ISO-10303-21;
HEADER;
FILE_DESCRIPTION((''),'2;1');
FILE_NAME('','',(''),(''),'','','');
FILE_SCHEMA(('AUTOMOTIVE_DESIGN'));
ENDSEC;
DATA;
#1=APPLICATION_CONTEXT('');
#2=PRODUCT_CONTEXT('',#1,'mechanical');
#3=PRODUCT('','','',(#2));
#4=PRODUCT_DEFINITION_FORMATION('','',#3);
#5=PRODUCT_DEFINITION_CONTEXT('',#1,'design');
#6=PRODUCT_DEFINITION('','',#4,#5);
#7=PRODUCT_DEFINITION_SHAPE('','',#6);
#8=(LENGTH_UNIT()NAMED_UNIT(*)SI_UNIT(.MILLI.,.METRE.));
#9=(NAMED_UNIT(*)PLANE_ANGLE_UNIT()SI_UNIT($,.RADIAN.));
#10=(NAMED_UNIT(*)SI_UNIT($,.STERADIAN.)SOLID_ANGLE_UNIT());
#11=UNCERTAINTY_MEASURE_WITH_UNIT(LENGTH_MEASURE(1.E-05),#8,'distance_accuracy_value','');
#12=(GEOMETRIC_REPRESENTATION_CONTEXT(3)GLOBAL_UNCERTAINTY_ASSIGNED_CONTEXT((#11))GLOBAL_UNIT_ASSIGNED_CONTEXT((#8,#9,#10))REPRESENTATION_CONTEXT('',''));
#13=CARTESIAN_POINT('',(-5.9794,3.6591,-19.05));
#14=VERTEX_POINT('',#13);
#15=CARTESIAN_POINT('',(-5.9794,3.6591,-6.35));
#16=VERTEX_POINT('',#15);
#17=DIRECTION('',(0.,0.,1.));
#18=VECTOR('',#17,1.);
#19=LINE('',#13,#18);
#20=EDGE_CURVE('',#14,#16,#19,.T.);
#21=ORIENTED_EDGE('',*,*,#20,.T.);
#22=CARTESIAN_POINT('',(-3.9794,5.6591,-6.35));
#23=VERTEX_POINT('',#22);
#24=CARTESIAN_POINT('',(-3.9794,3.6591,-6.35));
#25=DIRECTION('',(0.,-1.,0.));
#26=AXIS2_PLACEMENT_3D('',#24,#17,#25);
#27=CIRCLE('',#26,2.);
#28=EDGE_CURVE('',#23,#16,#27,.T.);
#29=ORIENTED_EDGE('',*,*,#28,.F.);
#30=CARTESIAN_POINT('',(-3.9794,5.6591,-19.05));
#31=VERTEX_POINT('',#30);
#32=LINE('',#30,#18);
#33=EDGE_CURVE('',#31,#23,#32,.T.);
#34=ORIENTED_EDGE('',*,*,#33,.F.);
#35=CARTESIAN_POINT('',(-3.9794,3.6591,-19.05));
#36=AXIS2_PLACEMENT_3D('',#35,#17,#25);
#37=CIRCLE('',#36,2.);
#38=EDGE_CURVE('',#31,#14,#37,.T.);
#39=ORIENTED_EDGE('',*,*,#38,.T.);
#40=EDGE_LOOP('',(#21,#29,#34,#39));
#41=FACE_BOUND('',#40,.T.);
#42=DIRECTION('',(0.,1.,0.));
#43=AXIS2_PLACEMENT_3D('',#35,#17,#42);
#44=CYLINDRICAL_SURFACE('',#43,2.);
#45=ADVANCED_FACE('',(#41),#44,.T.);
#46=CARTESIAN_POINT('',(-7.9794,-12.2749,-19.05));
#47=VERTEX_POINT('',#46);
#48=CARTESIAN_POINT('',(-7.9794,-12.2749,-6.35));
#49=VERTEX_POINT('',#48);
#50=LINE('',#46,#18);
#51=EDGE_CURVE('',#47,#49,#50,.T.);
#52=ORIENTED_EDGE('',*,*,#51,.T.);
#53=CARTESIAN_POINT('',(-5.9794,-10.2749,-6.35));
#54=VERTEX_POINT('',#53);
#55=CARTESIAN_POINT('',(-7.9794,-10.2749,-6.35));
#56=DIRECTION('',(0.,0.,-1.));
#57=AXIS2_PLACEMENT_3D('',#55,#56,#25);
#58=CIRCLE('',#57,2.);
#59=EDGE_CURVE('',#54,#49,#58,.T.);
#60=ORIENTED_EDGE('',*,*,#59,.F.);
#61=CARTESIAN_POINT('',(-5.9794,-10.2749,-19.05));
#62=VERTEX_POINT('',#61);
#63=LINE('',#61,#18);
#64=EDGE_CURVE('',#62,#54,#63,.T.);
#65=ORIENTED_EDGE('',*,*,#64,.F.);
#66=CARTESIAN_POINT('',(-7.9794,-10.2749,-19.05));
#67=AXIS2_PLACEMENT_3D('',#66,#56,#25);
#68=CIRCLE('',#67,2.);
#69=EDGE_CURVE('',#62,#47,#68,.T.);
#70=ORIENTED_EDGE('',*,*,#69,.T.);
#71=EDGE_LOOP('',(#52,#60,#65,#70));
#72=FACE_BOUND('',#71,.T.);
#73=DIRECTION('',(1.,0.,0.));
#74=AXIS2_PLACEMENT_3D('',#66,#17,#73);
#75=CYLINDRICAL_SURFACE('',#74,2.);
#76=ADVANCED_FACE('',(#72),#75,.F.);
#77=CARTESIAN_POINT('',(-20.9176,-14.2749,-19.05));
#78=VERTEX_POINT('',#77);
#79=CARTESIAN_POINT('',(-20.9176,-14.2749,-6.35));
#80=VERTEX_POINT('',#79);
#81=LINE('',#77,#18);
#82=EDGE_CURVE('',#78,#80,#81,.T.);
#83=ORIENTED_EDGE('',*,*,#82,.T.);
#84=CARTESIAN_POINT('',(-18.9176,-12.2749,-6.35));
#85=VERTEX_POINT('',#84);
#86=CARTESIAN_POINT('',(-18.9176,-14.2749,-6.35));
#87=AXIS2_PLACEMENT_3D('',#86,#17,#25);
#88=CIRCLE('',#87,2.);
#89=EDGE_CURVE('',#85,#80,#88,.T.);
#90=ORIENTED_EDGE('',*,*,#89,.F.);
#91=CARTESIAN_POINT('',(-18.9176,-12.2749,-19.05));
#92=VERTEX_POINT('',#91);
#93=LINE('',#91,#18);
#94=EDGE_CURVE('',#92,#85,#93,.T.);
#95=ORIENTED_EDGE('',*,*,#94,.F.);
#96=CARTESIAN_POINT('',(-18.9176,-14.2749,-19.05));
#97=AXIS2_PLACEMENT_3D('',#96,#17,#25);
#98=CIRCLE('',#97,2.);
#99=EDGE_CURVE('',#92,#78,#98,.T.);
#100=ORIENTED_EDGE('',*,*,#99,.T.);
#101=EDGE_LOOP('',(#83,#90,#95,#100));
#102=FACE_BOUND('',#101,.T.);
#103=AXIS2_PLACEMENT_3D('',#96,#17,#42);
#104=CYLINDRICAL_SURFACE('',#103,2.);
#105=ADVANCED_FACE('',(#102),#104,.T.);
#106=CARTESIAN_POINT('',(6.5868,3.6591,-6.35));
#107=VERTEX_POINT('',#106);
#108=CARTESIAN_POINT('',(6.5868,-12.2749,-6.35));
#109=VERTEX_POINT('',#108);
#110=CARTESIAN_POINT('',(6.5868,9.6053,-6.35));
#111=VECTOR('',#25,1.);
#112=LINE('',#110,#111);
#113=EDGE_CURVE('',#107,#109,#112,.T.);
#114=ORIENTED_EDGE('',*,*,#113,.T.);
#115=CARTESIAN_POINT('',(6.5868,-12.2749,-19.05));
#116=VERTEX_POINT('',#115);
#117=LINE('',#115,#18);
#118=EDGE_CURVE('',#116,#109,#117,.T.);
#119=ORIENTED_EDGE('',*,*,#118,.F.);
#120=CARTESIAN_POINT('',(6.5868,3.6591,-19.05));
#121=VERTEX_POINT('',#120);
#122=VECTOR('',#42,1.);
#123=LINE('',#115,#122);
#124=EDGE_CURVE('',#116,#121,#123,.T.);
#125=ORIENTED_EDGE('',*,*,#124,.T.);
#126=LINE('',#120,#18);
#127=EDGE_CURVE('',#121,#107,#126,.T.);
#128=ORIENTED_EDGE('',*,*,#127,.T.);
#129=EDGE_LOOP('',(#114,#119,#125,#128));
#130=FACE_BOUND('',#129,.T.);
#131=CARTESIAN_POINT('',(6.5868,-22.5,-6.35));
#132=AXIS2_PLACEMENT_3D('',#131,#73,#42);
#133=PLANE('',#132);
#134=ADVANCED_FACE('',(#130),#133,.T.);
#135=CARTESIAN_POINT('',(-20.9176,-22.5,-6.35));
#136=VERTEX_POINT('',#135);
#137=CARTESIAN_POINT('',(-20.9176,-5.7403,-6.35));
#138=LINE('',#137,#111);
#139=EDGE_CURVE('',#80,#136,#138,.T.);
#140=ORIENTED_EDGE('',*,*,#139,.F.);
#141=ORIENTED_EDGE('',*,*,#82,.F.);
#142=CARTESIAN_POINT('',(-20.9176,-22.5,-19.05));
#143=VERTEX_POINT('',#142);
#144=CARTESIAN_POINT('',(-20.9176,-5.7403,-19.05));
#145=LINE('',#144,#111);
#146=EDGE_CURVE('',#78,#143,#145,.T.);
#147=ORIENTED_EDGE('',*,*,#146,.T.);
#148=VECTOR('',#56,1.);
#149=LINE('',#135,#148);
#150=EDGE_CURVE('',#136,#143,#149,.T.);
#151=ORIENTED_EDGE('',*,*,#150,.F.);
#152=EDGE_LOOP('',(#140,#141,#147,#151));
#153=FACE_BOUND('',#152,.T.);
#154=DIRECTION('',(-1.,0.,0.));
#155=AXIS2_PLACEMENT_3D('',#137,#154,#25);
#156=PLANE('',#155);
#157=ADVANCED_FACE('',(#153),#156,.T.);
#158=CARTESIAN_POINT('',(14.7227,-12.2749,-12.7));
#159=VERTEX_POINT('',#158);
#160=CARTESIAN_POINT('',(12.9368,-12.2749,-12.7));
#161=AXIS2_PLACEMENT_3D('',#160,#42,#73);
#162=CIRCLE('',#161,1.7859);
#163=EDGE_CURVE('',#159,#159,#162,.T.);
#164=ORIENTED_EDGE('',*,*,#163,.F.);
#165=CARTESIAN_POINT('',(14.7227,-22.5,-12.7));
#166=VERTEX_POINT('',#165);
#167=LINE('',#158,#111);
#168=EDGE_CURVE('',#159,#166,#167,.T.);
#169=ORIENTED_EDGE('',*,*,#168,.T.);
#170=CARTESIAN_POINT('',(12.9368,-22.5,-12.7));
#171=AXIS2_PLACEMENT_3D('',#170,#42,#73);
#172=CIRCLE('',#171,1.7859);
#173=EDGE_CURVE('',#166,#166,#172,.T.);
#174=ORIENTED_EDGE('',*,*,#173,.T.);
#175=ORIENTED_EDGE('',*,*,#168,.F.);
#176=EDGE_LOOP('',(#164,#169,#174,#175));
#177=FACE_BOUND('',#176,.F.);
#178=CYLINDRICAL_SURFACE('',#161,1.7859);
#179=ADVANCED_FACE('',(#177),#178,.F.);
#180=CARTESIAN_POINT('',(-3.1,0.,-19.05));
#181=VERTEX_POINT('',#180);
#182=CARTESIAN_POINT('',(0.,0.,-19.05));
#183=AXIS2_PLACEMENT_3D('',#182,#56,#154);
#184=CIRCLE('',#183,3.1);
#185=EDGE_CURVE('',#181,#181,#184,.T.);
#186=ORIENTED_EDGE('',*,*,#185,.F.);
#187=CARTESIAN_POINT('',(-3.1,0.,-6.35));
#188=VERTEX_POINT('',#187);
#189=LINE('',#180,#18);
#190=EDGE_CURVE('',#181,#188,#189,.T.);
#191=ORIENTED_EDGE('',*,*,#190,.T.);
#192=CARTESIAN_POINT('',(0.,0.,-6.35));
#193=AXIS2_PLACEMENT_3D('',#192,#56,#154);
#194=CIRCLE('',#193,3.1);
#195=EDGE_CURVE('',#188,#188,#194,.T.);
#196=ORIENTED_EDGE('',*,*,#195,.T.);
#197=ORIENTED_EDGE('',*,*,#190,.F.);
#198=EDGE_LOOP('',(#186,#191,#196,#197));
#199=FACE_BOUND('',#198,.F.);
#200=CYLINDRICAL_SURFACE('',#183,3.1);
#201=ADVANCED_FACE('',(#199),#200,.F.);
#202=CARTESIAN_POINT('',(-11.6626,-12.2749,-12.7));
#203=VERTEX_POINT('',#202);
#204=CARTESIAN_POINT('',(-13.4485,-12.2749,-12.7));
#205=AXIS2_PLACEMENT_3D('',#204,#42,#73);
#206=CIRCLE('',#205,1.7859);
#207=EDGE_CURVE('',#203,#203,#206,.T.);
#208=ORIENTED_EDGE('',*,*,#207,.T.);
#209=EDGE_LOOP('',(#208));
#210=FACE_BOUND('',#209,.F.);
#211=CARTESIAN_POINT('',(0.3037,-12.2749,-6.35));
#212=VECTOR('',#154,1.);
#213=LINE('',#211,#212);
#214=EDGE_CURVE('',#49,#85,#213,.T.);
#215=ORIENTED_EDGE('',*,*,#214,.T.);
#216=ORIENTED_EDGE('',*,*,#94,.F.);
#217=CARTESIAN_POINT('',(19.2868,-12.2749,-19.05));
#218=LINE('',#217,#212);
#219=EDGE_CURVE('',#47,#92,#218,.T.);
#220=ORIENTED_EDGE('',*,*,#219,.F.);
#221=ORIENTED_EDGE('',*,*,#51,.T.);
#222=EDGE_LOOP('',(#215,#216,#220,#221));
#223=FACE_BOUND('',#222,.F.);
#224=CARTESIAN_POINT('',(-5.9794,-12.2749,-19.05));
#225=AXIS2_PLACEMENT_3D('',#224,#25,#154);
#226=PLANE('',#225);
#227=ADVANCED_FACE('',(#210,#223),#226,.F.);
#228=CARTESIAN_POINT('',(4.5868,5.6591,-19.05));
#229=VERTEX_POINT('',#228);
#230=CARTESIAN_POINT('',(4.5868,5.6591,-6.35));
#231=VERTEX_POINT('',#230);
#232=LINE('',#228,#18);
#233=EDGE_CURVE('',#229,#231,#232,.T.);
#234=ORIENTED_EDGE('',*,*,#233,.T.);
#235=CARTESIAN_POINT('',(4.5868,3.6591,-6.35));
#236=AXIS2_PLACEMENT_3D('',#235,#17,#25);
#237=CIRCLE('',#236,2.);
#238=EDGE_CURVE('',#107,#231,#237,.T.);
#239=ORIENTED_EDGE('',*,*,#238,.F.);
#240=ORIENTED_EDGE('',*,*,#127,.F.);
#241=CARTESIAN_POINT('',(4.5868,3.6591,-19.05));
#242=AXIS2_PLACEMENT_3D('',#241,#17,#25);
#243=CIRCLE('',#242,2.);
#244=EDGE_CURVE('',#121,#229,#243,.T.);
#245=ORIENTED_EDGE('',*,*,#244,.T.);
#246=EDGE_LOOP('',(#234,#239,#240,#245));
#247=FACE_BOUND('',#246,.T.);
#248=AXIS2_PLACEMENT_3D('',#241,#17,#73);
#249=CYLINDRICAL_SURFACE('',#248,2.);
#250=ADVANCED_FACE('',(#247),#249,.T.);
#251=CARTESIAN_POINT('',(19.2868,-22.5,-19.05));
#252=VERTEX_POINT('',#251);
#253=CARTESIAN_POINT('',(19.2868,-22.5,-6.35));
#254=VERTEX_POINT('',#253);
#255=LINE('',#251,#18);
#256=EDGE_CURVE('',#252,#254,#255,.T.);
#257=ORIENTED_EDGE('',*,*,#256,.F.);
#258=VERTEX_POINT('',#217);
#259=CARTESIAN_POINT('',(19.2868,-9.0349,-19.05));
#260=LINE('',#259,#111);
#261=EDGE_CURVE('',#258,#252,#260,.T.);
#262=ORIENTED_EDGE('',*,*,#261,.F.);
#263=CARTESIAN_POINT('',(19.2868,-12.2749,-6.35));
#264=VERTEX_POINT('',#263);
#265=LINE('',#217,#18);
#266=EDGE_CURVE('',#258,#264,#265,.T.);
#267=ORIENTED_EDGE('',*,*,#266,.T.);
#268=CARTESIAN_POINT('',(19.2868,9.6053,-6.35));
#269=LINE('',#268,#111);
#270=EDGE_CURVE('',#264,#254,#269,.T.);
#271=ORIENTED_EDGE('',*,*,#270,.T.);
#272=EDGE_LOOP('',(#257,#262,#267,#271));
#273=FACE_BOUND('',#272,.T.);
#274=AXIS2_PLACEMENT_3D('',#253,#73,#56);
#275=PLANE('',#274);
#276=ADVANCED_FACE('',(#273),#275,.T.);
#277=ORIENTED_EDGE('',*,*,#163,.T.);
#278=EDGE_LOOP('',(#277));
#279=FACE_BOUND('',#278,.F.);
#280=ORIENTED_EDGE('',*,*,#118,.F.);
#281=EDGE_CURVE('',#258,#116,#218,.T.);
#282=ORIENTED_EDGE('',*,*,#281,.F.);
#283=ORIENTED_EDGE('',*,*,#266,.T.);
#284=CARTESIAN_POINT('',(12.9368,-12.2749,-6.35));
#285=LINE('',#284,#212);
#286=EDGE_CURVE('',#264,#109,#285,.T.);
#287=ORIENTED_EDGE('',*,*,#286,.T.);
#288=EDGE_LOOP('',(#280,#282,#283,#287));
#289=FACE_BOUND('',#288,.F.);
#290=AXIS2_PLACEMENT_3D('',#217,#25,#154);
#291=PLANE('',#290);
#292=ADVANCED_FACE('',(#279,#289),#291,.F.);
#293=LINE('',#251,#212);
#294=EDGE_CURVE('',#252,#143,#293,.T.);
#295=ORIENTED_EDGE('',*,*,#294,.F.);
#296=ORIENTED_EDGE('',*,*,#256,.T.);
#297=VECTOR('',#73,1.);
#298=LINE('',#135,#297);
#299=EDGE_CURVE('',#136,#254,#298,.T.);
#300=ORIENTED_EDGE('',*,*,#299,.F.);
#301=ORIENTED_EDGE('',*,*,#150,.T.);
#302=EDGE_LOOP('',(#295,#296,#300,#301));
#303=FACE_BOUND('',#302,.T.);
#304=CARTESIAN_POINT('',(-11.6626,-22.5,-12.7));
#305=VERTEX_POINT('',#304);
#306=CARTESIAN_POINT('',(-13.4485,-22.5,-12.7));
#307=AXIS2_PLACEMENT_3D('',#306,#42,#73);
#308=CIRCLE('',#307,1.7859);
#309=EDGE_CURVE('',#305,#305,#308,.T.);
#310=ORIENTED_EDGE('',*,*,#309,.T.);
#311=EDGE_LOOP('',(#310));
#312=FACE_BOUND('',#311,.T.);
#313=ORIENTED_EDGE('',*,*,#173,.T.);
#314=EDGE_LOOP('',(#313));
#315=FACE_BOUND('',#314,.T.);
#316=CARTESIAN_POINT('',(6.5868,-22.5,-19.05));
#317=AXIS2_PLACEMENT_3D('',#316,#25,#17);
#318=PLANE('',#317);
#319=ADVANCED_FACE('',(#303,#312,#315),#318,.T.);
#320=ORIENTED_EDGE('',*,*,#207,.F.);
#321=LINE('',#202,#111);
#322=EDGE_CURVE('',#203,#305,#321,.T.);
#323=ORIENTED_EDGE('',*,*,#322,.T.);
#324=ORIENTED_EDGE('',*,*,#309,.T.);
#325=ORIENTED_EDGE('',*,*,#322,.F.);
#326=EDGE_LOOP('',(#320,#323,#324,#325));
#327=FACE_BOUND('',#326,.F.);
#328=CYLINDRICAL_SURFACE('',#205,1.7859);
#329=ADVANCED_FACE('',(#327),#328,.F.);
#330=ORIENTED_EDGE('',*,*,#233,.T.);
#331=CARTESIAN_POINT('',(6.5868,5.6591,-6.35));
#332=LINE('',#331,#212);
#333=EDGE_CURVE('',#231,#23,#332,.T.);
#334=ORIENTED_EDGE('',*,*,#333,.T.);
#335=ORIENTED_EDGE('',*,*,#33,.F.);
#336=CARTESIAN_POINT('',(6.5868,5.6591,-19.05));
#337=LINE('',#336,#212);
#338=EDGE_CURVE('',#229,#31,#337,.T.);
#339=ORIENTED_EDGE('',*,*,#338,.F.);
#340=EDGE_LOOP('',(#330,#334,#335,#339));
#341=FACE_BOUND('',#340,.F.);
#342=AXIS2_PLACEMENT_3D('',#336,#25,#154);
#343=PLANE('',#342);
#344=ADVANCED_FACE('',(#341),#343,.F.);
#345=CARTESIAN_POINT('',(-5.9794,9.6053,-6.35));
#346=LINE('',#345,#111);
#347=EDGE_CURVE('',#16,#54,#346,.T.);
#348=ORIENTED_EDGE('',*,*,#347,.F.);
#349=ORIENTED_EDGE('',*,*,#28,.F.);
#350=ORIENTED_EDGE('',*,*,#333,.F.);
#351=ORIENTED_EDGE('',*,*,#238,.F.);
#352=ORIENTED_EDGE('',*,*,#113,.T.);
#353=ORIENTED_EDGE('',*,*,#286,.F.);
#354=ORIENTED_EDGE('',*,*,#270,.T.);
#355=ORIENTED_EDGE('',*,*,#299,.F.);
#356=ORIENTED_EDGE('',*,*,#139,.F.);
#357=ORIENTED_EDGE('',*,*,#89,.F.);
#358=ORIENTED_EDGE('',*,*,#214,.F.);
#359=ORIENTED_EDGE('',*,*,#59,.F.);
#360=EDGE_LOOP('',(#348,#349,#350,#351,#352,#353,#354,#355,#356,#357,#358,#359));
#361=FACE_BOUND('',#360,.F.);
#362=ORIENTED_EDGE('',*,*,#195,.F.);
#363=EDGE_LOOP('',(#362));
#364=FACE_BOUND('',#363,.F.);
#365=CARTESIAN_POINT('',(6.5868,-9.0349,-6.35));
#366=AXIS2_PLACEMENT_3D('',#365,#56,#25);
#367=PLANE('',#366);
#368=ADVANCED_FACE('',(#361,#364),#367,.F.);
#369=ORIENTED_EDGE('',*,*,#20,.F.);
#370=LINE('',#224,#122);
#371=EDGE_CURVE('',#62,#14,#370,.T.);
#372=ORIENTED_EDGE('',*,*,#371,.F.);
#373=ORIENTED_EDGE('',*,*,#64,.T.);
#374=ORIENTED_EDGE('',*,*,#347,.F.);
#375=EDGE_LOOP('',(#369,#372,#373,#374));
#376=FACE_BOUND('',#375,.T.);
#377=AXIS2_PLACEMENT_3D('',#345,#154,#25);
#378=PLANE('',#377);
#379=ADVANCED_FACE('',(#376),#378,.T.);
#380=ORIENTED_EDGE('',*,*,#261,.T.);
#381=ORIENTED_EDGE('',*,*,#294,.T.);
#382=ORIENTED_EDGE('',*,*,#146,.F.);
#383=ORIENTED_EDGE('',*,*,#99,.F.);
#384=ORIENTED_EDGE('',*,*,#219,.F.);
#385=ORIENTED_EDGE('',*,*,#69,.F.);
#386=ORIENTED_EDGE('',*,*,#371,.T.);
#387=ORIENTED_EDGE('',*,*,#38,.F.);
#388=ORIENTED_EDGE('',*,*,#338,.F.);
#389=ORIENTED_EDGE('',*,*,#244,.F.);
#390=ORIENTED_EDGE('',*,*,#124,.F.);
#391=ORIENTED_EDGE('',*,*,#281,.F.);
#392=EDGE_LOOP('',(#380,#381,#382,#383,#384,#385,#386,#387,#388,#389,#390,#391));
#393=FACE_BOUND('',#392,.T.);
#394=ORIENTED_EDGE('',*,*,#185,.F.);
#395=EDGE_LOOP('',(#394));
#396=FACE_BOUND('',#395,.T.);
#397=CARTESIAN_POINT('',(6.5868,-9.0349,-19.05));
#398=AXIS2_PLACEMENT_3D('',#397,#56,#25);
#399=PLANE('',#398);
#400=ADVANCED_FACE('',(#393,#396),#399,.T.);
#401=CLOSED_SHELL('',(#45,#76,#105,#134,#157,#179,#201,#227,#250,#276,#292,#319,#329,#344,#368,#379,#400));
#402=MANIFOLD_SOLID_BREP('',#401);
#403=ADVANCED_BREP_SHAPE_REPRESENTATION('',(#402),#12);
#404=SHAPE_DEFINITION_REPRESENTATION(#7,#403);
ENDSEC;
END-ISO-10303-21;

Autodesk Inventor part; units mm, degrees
ref_plane "FRONT" through (0, 0, 0) normal (0, 0, 1) x (1, 0, 0)
ref_plane "TOP" through (0, 0, 0) normal (0, 1, 0) x (-1, 0, 0)
ref_plane "RIGHT" through (0, 0, 0) normal (1, 0, 0) x (0, 1, 0)
ref_plane "Work Plane6" through (36, -22.5, -6.35) normal (0, 0, -1) x (-1, 0, 0)
sketch "Sketch1" plane through (36, -22.5, -6.35) normal (0, 0, -1) x (-1, 0, 0)
  line L0 (56.9176, 0) -> (29.4132, 0)
  line L1 (56.9176, 0) -> (29.4132, 0)
  line L2 (29.4132, 0) -> (29.4132, 32.1053)
  line L3 (41.9794, 32.1053) -> (41.9794, 16.7597)
  line L4 (29.4132, 32.1053) -> (41.9794, 32.1053)
  line L5 (41.9794, 16.7597) -> (56.9176, 16.7597)
  line L6 (56.9176, 16.7597) -> (56.9176, 0)
  point P0 (36, 22.5)
  point P1 (0, 0)
extrude "Extrusion1" add sketch "Sketch1" along normal blind 12.7
ref_plane "Work Plane5" through (36, -22.5, -19.05) normal (0, 0, -1) x (-1, 0, 0)
sketch "Sketch2" plane through (36, -22.5, -19.05) normal (0, 0, -1) x (-1, 0, 0)
  circle A0 centre (36, 22.5) radius 3.1
  dimension "d2" = 6.2
extrude "Extrusion2" cut sketch "Sketch2" against normal through all
ref_plane "Work Plane8" through (6.5868, -22.5, -6.35) normal (1, 0, 0) x (0, 0, -1)
sketch "Sketch3" plane through (6.5868, -22.5, -6.35) normal (1, 0, 0) x (0, 0, -1)
  line L0 (0, 32.1053) -> (0, 0) projected
  line L1 (0, 13.4651) -> (12.7, 13.4651)
  line L2 (12.7, 13.4651) -> (12.7, 0)
  line L3 (12.7, 0) -> (0, 0)
  line L4 (0, 0) -> (0, 13.4651)
  point P0 (-6.35, 22.5)
  point P1 (0, 26.9303)
extrude "Extrusion3" add sketch "Sketch3" along normal blind 12.7
sketch "Sketch4" plane through (36, -22.5, -19.05) normal (0, 0, -1) x (-1, 0, 0)
  circle A0 centre (36, 22.5) radius 3.1 projected
  line L0 (29.4132, 32.1053) -> (29.4132, 13.4651) projected
  line L1 (56.9176, 0) -> (16.7132, 0) projected
  line L2 (56.9176, 0) -> (56.9176, 16.7597) projected
  line L3 (56.9176, 16.7597) -> (41.9794, 16.7597) projected
  line L4 (41.9794, 16.7597) -> (41.9794, 32.1053) projected
  line L5 (41.9794, 32.1053) -> (29.4132, 32.1053) projected
  line L6 (16.7132, 0) -> (16.7132, 13.4651) projected
  line L7 (16.7132, 10.2251) -> (56.9176, 10.2251)
  line L8 (56.9176, 0) -> (56.9176, 16.7597) projected
  line L9 (41.9794, 16.7597) -> (41.9794, 10.2251)
  line L10 (29.4132, 13.4651) -> (29.4132, 10.2251)
  line L11 (29.4132, 13.4651) -> (16.7132, 13.4651)
  line L12 (16.7132, 13.4651) -> (16.7132, 10.2251)
  line L13 (41.9794, 16.7597) -> (56.9176, 16.7597)
  line L14 (56.9176, 16.7597) -> (56.9176, 10.2251)
  line L15 (29.4132, 13.4651) -> (16.7132, 13.4651)
  line L16 (16.7132, 13.4651) -> (16.7132, 10.2251)
  line L17 (16.7132, 10.2251) -> (29.4132, 10.2251)
  line L18 (29.4132, 10.2251) -> (29.4132, 13.4651)
  line L19 (41.9794, 16.7597) -> (56.9176, 16.7597)
  line L20 (56.9176, 16.7597) -> (56.9176, 10.2251)
  line L21 (56.9176, 10.2251) -> (41.9794, 10.2251)
  line L22 (41.9794, 10.2251) -> (41.9794, 16.7597)
  line L23 (29.4132, 13.4651) -> (16.7132, 13.4651) projected
  line L24 (16.7132, 0) -> (16.7132, 13.4651) projected
extrude "Extrusion4" cut sketch "Sketch4" against normal through all contours L10 L7 L6 L11 | L3 L2 L7 L9
sketch "Sketch5" plane through (36, -22.5, -19.05) normal (0, 0, -1) x (-1, 0, 0)
  line L0 (56.9176, 0) -> (16.7132, 0) projected
  line L1 (56.9176, 0) -> (56.9176, 10.2251) projected
  line L2 (56.9176, 10.2251) -> (41.9794, 10.2251) projected
  line L3 (41.9794, 10.2251) -> (41.9794, 32.1053) projected
  line L4 (41.9794, 32.1053) -> (29.4132, 32.1053) projected
  line L5 (29.4132, 32.1053) -> (29.4132, 10.2251) projected
  circle A0 centre (36, 22.5) radius 3.1 projected
  line L6 (29.4132, 32.1053) -> (29.4132, 10.2251) projected
  line L7 (29.4132, 28.1591) -> (41.9794, 28.1591)
  line L8 (41.9794, 28.1591) -> (41.9794, 32.1053)
  line L9 (41.9794, 32.1053) -> (29.4132, 32.1053)
  line L10 (29.4132, 32.1053) -> (29.4132, 28.1591)
  line L11 (29.4132, 10.2251) -> (16.7132, 10.2251) projected
  line L12 (16.7132, 0) -> (16.7132, 10.2251) projected
extrude "Extrusion5" cut sketch "Sketch5" against normal through all contours L7 L5 L4 L3
fillet "Fillet4" radius 2 4 edges at (-5.9794, 5.6591, -12.7) (-5.9794, -12.2749, -12.7) (6.5868, 5.6591, -12.7) (-20.9176, -12.2749, -12.7)
ref_plane "Work Plane9" through (8.5868, -12.2749, -19.05) normal (0, 1, 0) x (1, 0, 0)
sketch "Sketch6" plane through (8.5868, -12.2749, -19.05) normal (0, 1, 0) x (1, 0, 0)
  line L0 (-2, 0) -> (10.7, 0) projected
  line L1 (10.7, -12.7) -> (-2, -12.7) projected
  line L2 (8.7, -6.35) -> (0, -6.35) construction
  line L3 (0, -12.7) -> (0, 0) construction
  line L4 (-29.5044, 0) -> (10.7, 0) construction
  line L5 (4.35, 0) -> (4.35, -12.7) construction
  line L6 (-29.5044, -12.7) -> (10.7, -12.7) construction
  circle A0 centre (4.35, -6.35) radius 1.7859
  line L7 (10.7, 0) -> (10.7, -12.7) projected
  line L8 (-2, 0) -> (-2, -12.7) projected
  point P0 (-8.5868, -19.05)
  point P1 (8.7, -12.7)
  point P2 (8.7, 0)
  dimension "d18" = 3.5719
extrude "Extrusion6" cut sketch "Sketch6" against normal through all contours A0
sketch "Sketch7" plane through (-18.9176, -12.2749, -19.05) normal (0, 1, 0) x (1, 0, 0)
  line L0 (0, -12.7) -> (0, 0) projected
  line L1 (10.9382, -12.7) -> (0, -12.7) projected
  line L2 (10.9382, 0) -> (10.9382, -12.7) projected
  line L3 (0, 0) -> (10.9382, 0) projected
  line L4 (5.4691, -12.7) -> (5.4691, 0) construction
  line L5 (-2, 0) -> (38.2044, 0) construction
  line L6 (10.9382, 0) -> (10.9382, -12.7) construction
  line L7 (10.9382, -6.35) -> (0, -6.35) construction
  circle A0 centre (5.4691, -6.35) radius 1.7859
  point P0 (18.9176, -19.05)
  point P1 (25.5044, 0)
  dimension "d21" = 3.5719
extrude "Extrusion7" cut sketch "Sketch7" against normal through all contours A0
properties part number "other side roller axle holder"
